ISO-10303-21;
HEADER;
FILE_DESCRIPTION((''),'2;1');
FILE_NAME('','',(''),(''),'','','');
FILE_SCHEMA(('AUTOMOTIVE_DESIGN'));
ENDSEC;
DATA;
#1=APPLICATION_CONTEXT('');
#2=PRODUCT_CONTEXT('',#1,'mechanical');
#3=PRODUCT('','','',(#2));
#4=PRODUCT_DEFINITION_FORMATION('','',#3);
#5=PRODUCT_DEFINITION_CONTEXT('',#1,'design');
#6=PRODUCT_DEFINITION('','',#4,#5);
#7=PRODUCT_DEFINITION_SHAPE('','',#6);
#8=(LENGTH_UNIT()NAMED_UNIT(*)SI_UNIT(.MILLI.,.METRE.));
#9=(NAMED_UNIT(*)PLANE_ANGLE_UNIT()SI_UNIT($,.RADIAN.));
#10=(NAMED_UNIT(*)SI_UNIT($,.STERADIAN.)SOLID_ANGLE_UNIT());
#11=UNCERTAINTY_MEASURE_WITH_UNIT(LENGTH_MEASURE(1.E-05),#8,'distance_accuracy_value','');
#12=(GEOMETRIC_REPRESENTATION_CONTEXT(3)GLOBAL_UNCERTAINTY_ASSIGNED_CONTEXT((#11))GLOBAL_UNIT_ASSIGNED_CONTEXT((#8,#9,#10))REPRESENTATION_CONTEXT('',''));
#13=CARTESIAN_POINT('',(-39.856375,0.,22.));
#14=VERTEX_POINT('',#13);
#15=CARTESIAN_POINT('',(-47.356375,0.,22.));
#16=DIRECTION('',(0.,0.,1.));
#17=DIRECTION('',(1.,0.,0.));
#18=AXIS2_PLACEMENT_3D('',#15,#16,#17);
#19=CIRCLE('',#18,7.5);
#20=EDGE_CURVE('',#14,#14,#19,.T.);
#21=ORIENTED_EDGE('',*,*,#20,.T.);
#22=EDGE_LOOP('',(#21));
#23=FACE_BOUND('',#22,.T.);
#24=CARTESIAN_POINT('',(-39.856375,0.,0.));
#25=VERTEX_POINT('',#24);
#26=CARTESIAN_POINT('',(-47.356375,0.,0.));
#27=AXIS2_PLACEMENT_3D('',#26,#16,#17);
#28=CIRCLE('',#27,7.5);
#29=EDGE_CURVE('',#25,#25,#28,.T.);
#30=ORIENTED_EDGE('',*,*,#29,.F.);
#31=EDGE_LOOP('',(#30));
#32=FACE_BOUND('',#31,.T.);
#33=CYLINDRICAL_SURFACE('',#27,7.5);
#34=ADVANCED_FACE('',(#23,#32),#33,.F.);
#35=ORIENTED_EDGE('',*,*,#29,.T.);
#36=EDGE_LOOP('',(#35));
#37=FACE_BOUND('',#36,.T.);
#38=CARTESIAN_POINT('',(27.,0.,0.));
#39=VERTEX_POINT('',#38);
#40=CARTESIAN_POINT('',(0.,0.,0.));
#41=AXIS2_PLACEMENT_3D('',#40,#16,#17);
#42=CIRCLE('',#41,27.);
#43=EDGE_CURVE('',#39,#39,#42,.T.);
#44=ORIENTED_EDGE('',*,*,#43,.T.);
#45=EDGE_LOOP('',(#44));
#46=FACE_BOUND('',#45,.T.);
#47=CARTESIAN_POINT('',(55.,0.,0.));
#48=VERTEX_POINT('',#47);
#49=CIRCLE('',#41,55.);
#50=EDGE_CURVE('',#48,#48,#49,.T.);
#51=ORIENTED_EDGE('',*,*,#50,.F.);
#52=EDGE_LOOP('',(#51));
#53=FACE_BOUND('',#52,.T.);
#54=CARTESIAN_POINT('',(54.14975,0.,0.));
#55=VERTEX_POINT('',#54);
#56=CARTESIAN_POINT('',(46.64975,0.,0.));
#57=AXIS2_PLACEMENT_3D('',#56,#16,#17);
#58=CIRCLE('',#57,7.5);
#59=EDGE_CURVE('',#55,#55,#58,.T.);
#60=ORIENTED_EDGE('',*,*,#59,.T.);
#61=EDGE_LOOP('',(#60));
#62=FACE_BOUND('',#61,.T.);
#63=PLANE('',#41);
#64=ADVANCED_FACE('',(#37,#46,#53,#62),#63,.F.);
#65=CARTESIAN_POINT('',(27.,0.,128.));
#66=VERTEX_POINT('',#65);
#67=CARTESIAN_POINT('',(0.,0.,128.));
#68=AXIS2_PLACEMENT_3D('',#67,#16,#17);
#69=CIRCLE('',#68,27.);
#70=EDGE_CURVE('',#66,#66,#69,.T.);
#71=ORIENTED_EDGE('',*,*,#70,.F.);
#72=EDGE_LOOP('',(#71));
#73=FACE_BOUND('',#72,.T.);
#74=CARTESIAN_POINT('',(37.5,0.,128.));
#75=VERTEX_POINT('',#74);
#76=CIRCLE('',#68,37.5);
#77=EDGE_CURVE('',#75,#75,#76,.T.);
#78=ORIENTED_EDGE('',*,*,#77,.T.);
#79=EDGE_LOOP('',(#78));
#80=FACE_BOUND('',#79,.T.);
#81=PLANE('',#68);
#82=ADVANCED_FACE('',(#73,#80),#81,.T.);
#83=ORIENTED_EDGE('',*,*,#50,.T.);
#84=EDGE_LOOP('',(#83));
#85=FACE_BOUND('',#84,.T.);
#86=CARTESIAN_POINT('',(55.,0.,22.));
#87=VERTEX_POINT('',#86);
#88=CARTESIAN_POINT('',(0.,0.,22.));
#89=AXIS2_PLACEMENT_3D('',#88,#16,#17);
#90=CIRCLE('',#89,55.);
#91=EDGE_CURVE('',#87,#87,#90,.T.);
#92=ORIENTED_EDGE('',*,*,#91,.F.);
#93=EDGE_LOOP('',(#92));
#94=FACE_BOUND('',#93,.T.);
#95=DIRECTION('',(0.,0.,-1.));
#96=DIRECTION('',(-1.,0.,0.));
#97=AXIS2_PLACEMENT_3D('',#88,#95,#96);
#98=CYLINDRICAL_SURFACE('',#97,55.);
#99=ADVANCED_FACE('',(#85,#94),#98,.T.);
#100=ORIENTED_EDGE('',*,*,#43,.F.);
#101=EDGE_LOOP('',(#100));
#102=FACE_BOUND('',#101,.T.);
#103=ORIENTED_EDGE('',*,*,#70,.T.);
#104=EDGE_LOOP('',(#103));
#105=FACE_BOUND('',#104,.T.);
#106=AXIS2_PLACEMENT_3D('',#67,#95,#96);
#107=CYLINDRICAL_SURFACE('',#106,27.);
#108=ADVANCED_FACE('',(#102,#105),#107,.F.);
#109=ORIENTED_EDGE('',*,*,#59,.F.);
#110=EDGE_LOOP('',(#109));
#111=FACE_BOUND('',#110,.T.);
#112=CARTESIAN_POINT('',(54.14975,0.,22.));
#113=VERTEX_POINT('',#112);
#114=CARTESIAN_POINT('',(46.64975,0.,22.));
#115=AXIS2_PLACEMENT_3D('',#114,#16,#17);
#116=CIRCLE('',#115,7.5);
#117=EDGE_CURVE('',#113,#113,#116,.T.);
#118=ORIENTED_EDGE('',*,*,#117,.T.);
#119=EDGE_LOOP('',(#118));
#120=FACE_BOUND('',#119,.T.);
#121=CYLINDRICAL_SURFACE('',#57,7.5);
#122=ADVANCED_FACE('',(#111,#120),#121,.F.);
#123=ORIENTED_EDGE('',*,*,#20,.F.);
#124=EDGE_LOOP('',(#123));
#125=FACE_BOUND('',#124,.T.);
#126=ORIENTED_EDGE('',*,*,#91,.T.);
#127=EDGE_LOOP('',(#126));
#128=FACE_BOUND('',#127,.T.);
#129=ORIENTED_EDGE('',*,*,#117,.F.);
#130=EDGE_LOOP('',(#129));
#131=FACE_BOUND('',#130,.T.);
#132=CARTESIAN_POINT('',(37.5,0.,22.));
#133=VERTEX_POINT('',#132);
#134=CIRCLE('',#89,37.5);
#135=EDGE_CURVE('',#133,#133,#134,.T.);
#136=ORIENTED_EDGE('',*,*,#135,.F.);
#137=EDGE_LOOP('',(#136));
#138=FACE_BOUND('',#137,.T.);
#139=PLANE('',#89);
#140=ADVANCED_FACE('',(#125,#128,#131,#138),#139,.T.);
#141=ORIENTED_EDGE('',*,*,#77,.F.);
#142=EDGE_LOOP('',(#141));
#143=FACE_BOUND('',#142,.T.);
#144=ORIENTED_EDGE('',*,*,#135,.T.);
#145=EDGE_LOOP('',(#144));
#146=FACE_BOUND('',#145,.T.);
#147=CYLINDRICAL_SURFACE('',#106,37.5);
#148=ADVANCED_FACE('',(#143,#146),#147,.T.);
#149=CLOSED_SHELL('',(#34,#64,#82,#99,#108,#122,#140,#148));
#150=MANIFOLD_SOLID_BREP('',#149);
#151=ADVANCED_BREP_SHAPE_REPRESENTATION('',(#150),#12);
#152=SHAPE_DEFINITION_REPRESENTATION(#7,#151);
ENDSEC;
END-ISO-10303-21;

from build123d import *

# Parameters (mm, degrees)
SKETCH_2_R          = 55
EXTRUDE_2_DEPTH     = 22
SKETCH_4_R          = 37.5
SKETCH_4_R_2        = 27
EXTRUDE_3_DEPTH     = 106
CUT_EXTRUDE_1_DEPTH = 132.476233594
SKETCH_6_R          = 27
CUT_EXTRUDE_2_DEPTH = 132.476233594


with BuildPart() as part:
    # 草图2 → 凸台-拉伸2 (new body)
    with BuildSketch(Plane.XY):
        Circle(SKETCH_2_R)
    extrude(amount=EXTRUDE_2_DEPTH)

    # 草图4 → 凸台-拉伸3 (add)
    with BuildSketch(Plane.XY.offset(22)):
        Circle(SKETCH_4_R)
        Circle(SKETCH_4_R_2, mode=Mode.SUBTRACT)
    extrude(amount=EXTRUDE_3_DEPTH)

    # 草图5 → 切除-拉伸1 (cut, through all)
    with BuildSketch(Plane.XY.offset(22)):
        with BuildLine():
            ThreePointArc((-54.856374593, 0), (-47.356374593, -7.5), (-39.856374593, 0))
            Line((-39.856374593, 0), (-54.856374593, 0))
        make_face()
        with BuildLine():
            Line((-54.856374593, 0), (-39.856374593, 0))
            ThreePointArc((-39.856374593, 0), (-47.356374593, 7.5), (-54.856374593, 0))
        make_face()
        with BuildLine():
            ThreePointArc((54.149750432, 0), (46.649750432, 7.5), (39.149750432, 0))
            Line((39.149750432, 0), (54.149750432, 0))
        make_face()
        with BuildLine():
            Line((54.149750432, 0), (39.149750432, 0))
            ThreePointArc((39.149750432, 0), (46.649750432, -7.5), (54.149750432, 0))
        make_face()
    extrude(amount=-CUT_EXTRUDE_1_DEPTH, mode=Mode.SUBTRACT)

    # 草图6 → 切除-拉伸2 (cut, through all)
    with BuildSketch(Plane.XY.offset(22)):
        Circle(SKETCH_6_R)
    extrude(amount=-CUT_EXTRUDE_2_DEPTH, mode=Mode.SUBTRACT)


solid = part.part
